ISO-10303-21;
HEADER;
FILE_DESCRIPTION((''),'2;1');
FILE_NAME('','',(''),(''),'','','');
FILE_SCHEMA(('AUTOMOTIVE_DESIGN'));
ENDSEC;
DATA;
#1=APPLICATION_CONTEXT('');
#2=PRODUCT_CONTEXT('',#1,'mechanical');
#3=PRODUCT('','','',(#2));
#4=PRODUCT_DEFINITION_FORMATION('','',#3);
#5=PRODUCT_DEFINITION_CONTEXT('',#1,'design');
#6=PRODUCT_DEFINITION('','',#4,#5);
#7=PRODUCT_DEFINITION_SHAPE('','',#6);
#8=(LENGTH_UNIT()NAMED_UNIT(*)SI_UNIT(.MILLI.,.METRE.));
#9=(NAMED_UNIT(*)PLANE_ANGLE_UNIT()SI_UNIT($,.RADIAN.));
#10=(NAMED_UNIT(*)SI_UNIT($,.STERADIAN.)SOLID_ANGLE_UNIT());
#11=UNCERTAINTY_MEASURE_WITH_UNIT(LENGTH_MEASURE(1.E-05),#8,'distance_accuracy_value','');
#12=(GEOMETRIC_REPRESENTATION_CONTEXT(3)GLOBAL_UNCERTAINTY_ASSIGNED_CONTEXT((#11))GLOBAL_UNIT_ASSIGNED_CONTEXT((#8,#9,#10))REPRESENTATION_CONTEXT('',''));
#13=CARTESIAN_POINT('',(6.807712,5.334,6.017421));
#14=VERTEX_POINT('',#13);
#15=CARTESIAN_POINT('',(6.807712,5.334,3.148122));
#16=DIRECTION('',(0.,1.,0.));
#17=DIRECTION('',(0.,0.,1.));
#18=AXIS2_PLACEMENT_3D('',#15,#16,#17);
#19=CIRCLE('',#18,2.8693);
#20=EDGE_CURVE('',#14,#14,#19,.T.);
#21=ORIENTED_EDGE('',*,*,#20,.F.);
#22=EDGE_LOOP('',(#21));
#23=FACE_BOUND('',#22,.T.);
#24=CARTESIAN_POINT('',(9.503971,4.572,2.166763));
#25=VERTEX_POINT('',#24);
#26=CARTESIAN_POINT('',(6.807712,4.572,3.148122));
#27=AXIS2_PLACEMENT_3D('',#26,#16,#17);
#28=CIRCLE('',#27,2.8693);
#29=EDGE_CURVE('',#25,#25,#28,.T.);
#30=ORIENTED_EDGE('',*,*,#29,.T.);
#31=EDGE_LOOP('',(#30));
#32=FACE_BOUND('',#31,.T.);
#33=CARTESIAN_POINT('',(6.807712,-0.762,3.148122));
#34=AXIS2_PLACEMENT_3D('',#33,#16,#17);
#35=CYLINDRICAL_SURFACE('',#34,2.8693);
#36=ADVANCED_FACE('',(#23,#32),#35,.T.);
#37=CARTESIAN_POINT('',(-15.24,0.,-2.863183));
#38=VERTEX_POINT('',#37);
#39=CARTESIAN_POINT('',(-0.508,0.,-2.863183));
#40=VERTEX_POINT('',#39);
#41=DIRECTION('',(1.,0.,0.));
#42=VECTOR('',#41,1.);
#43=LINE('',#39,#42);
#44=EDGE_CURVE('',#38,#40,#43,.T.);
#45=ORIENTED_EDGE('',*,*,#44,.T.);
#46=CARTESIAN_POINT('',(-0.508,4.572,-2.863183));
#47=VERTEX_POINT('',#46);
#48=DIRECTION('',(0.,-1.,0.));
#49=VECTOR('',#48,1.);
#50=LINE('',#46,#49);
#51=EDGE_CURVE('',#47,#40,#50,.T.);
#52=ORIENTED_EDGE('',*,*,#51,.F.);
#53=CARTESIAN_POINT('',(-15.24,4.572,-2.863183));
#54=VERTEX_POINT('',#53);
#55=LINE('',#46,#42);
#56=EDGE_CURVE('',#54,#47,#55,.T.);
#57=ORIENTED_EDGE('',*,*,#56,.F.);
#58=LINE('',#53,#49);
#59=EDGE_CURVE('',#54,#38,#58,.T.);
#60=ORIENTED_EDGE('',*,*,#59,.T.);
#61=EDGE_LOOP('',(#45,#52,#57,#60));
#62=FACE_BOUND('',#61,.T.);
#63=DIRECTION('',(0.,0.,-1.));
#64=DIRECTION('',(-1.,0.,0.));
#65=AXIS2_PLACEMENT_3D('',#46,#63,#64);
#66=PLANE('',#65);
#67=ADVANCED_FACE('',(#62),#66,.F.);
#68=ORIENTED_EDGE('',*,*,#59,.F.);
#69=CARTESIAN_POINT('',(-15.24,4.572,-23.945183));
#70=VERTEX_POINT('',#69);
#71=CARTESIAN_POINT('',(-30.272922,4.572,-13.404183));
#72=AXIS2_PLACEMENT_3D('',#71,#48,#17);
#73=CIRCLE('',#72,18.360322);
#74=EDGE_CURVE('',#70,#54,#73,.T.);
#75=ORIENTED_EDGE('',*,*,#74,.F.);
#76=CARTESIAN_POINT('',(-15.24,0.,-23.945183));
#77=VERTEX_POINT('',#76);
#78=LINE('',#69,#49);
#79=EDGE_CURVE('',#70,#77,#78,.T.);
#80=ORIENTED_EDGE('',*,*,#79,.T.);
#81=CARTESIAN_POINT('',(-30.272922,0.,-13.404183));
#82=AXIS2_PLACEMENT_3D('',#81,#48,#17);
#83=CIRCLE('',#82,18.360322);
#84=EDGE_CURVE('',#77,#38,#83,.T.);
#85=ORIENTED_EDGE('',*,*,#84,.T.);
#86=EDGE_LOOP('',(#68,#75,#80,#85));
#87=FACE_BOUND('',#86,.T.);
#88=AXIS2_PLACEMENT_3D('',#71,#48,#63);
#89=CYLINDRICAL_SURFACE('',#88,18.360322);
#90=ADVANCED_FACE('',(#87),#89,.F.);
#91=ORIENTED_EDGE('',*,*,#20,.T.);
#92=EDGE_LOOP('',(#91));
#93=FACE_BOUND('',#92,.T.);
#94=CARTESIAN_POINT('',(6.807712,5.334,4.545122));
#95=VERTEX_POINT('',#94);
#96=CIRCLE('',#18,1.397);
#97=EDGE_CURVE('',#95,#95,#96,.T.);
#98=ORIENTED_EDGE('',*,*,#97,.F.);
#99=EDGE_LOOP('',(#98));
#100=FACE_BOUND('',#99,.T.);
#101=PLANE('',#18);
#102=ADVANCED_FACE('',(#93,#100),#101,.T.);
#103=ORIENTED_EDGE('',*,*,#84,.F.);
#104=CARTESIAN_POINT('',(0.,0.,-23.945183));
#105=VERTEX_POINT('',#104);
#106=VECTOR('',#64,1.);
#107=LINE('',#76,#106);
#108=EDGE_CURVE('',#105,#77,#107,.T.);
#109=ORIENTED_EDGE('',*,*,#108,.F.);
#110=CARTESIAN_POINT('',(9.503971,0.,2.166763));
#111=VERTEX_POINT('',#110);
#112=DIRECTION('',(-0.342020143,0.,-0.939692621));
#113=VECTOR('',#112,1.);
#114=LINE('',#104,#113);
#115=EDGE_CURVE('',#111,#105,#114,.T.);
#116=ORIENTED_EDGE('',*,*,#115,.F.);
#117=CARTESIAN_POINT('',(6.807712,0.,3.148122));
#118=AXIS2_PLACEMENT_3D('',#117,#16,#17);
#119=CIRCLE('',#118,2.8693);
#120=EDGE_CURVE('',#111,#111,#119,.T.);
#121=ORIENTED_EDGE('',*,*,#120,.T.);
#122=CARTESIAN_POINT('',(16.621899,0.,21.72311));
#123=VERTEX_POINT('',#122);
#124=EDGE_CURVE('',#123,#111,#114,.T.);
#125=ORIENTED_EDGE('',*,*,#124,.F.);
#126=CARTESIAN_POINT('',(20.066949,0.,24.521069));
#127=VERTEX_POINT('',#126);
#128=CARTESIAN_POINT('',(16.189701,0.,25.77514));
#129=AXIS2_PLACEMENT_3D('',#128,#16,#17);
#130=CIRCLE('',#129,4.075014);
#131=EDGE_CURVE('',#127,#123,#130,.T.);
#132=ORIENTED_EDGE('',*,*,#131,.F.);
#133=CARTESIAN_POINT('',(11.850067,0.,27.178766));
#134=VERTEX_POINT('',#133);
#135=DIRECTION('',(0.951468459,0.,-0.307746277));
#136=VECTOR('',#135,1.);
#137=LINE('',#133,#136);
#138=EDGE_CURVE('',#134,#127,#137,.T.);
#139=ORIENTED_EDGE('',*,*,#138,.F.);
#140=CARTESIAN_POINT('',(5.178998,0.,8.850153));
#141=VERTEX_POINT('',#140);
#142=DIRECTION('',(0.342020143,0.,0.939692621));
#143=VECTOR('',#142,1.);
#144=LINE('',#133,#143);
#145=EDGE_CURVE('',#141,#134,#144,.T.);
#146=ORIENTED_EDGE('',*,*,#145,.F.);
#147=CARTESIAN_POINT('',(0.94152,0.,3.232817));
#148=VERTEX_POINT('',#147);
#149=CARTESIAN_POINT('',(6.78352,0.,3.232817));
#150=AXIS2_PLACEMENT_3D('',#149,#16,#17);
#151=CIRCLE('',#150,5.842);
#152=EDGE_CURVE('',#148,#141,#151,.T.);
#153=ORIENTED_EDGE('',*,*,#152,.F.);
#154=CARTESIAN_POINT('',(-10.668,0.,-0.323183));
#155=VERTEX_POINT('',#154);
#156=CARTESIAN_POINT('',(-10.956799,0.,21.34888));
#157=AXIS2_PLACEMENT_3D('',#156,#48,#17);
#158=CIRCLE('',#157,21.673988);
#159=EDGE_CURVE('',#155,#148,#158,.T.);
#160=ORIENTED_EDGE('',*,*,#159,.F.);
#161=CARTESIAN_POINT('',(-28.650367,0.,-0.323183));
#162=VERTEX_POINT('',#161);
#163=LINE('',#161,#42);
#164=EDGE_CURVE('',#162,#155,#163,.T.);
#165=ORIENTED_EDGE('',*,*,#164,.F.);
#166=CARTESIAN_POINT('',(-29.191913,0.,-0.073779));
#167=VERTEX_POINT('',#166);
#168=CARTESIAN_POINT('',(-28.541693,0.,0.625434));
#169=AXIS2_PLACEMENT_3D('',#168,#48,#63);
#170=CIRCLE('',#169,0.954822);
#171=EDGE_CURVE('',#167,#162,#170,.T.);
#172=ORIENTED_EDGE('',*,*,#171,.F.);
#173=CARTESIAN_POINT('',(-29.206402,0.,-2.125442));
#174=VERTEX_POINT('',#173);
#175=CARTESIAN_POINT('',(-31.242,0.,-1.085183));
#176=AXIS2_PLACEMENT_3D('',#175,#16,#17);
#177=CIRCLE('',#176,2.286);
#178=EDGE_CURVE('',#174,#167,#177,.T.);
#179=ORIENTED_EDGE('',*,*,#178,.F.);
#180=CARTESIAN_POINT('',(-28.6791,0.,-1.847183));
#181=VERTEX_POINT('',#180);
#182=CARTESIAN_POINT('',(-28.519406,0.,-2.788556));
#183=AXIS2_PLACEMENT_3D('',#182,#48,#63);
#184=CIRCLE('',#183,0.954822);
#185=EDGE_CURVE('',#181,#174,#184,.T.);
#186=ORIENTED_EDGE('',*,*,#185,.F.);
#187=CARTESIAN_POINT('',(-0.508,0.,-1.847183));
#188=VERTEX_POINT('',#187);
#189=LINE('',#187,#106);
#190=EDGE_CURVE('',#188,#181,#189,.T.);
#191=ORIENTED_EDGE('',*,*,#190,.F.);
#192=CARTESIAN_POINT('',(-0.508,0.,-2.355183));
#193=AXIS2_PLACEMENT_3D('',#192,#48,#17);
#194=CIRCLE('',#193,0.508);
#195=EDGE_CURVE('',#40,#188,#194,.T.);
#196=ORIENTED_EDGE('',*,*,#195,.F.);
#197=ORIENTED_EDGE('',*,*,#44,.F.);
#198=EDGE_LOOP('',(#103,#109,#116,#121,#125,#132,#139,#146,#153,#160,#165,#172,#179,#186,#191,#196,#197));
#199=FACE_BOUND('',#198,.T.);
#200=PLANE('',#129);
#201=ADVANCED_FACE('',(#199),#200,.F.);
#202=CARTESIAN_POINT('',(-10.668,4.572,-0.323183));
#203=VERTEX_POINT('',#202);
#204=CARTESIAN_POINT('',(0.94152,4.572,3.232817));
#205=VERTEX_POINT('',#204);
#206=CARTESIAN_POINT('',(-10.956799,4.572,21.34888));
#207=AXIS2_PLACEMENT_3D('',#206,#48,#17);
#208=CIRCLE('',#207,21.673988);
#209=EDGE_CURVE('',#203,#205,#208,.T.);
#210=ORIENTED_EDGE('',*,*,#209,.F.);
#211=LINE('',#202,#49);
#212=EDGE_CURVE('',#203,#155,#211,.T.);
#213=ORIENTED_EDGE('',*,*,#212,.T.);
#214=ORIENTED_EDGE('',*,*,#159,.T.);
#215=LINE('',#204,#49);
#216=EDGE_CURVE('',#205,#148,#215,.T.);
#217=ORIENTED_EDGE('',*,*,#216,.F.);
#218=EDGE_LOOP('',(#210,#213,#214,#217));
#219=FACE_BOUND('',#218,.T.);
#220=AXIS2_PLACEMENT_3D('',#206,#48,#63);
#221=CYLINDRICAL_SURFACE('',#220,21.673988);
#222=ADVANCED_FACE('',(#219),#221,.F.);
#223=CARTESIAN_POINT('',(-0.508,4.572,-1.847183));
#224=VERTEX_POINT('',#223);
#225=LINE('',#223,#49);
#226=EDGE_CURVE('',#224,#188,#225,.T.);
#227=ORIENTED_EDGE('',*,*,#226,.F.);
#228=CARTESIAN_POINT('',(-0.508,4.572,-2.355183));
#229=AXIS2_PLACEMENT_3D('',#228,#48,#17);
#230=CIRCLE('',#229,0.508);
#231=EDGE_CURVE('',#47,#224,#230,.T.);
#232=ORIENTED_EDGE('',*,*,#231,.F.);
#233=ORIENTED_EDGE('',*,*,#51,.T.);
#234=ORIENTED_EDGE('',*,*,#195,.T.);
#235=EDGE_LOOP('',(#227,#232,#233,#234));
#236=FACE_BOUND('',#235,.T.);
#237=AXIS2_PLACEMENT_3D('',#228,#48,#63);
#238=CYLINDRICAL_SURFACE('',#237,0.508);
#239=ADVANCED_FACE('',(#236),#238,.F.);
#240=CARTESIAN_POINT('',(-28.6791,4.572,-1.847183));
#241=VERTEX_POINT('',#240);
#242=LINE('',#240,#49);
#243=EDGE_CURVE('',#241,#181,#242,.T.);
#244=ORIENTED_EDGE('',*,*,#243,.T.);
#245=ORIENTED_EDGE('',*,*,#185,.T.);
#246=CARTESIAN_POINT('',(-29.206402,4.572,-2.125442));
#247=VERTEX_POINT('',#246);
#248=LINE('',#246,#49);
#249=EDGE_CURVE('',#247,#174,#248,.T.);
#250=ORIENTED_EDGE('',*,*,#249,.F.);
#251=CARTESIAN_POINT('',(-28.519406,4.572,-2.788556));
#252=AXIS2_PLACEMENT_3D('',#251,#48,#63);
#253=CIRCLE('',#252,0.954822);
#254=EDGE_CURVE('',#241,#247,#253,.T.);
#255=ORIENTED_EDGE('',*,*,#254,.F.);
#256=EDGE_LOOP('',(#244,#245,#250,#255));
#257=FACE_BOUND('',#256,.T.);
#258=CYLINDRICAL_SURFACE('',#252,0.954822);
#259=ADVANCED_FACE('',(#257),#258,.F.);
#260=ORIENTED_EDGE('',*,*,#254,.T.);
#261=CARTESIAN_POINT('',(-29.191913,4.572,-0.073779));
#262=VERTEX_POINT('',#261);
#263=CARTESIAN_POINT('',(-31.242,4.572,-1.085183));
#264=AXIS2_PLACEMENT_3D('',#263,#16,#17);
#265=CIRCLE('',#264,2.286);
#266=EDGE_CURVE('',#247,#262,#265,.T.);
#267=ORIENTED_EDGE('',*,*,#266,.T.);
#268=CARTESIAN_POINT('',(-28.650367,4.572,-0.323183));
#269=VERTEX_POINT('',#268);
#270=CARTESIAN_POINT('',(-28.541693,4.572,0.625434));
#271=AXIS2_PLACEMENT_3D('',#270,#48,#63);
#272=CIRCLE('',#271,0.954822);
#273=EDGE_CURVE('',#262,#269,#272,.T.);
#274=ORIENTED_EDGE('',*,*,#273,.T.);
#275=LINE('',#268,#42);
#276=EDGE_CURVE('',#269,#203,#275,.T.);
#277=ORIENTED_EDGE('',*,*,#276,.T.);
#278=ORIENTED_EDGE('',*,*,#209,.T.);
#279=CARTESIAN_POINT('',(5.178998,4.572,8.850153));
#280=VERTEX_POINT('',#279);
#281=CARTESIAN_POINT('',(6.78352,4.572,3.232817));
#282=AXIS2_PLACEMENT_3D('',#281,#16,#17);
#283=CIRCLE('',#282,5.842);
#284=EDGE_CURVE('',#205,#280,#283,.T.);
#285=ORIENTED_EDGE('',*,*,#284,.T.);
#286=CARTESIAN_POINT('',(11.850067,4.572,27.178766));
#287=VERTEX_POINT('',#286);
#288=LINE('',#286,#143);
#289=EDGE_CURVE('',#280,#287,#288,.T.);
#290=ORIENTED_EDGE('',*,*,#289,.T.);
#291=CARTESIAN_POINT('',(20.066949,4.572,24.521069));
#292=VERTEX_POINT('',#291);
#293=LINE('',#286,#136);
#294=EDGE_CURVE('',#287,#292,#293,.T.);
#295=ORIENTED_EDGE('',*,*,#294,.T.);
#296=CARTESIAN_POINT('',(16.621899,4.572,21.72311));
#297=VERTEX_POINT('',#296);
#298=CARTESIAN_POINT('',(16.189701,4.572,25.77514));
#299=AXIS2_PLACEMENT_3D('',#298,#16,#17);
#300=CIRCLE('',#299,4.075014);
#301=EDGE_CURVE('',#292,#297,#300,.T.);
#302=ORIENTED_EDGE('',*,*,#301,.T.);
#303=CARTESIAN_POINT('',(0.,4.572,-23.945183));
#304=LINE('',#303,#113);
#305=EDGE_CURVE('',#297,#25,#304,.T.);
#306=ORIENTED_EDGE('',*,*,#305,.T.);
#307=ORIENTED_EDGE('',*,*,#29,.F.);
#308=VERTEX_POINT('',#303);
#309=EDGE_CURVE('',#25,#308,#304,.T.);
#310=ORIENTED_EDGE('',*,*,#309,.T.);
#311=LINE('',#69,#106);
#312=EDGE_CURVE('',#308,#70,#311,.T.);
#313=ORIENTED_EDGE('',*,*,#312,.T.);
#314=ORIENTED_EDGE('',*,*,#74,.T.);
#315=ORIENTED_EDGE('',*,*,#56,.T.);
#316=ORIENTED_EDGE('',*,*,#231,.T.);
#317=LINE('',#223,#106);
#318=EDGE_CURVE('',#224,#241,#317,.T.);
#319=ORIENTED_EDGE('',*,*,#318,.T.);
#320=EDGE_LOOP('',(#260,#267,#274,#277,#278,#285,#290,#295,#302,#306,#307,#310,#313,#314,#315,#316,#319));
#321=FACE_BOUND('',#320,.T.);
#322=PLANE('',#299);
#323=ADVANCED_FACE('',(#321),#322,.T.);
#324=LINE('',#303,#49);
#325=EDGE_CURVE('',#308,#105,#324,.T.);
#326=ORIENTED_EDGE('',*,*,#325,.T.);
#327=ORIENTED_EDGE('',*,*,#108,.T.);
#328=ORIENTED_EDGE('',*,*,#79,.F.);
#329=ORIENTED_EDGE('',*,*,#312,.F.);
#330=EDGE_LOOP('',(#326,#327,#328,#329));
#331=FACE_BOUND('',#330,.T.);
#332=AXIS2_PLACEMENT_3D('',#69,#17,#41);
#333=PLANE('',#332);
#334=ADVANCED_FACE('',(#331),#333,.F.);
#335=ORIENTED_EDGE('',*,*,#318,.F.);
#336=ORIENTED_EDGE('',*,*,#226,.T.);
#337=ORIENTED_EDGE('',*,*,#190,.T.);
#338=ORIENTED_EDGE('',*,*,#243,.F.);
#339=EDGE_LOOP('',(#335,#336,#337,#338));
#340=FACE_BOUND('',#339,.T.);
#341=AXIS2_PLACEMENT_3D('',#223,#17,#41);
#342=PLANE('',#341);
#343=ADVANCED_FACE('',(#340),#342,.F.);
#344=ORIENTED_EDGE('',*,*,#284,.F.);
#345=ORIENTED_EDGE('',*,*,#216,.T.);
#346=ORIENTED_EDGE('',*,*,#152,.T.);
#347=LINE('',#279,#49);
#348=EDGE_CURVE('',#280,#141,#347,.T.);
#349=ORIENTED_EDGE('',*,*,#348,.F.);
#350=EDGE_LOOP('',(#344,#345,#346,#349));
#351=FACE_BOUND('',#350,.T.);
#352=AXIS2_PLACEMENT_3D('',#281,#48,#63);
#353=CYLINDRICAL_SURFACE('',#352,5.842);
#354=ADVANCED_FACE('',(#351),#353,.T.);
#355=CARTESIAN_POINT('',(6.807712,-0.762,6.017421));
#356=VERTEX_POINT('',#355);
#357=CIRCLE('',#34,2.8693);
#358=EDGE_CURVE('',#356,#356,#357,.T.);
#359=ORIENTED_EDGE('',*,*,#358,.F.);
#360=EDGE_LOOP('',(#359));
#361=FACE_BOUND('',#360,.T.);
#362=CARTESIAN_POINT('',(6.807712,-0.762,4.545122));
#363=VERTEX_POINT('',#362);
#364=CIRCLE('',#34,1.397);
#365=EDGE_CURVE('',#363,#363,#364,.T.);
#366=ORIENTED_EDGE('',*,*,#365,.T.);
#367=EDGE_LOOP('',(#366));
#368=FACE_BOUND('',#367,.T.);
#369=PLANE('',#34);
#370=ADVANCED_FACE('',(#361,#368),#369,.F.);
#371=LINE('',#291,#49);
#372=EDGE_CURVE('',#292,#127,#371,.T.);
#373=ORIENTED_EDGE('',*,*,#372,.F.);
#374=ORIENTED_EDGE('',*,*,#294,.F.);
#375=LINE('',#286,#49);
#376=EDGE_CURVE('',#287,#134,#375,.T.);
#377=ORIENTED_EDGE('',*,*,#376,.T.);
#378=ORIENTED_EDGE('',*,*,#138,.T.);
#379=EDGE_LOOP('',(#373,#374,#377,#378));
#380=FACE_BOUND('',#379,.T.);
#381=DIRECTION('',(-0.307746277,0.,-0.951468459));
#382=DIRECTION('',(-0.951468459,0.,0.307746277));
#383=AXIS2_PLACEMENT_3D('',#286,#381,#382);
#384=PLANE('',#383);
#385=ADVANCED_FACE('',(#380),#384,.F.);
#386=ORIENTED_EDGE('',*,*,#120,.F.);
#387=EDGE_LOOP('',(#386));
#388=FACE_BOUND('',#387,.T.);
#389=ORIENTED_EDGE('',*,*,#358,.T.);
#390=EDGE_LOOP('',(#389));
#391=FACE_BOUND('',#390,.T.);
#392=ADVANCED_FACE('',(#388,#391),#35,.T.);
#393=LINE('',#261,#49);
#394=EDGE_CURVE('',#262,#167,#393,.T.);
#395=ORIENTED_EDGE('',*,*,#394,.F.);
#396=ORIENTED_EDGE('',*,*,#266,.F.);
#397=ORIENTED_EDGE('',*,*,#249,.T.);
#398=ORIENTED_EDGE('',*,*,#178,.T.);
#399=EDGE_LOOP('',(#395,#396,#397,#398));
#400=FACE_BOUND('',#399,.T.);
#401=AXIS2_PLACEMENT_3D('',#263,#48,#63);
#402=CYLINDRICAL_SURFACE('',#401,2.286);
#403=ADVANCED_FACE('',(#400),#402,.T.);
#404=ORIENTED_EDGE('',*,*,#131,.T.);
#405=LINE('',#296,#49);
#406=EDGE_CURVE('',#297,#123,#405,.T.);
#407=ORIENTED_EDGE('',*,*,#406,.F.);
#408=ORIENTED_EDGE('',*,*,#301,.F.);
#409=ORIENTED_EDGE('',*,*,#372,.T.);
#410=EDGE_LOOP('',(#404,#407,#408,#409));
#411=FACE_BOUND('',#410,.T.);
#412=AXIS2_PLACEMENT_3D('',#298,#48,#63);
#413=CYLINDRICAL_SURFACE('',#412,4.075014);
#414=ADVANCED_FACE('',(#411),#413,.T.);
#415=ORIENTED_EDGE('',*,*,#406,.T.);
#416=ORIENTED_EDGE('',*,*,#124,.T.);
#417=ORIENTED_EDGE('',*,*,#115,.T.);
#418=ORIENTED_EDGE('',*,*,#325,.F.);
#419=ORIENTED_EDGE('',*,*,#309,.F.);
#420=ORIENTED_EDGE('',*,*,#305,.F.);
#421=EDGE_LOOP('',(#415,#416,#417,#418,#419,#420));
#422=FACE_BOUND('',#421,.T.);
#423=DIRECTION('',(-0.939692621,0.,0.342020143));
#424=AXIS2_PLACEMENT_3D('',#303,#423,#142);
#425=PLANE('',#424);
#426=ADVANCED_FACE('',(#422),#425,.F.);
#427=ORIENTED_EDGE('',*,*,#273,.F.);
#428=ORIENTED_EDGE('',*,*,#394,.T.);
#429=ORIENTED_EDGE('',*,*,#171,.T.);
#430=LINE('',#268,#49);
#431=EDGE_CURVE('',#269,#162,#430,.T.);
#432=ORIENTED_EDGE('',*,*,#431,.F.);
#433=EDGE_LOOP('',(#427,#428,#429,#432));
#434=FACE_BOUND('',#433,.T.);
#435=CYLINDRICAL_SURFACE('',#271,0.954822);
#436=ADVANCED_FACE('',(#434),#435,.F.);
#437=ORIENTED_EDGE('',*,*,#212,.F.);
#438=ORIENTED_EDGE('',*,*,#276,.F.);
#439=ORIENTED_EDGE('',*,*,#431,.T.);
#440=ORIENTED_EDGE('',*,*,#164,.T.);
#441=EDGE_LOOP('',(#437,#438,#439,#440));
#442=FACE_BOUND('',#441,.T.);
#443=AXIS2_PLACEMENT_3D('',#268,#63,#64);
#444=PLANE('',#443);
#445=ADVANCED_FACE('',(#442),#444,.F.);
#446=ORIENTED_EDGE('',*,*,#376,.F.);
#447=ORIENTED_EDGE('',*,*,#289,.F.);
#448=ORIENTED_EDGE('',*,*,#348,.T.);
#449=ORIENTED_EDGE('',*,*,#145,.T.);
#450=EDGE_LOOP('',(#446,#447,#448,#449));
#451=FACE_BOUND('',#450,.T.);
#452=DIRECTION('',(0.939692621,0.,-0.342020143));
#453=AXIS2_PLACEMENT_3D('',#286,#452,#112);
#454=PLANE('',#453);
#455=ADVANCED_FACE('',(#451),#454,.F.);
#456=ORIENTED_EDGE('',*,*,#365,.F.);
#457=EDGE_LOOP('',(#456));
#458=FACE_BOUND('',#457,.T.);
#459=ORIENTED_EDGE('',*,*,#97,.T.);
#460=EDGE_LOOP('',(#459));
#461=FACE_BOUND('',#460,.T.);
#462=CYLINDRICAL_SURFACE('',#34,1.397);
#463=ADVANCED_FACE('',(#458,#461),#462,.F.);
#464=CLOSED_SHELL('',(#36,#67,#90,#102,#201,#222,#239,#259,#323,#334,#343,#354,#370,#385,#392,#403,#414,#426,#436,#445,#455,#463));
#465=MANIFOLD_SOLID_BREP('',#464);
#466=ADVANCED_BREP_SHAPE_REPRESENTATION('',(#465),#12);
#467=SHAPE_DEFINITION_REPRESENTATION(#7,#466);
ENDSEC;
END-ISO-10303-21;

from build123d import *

# Parameters (mm, degrees)
BOSS_EXTRUDE1_DEPTH      = 4.572
BOSS_EXTRUDE2_DEPTH      = 0.762
BOSS_EXTRUDE2_DEPTH_BACK = 5.334
SKETCH2_R                = 2.869299529
SKETCH3_R                = 1.397
CUT_EXTRUDE1_DEPTH       = 44.588683524


with BuildPart() as part:
    # Sketch1 → Boss-Extrude1 (new body)
    with BuildSketch(Plane(origin=(0, 0, 0), x_dir=(1, 0, 0), z_dir=(0, 1, 0))):
        with BuildLine():
            Line((0, 23.945183489), (16.621899459, -21.723109944))
            ThreePointArc((16.621899459, -21.723109944), (18.758742816, -22.611950557), (20.0669487, -24.521069341))
            Line((20.0669487, -24.521069341), (11.850067084, -27.178766186))
            Line((11.850067084, -27.178766186), (5.178997556, -8.850153293))
            ThreePointArc((5.178997556, -8.850153293), (2.119691783, -6.751008186), (0.941519753, -3.232816511))
            ThreePointArc((0.941519753, -3.232816511), (-4.609142435, -0.625246171), (-10.668, 0.323183489))
            Line((-10.668, 0.323183489), (-28.650367288, 0.323183489))
            ThreePointArc((-28.650367288, 0.323183489), (-28.941106082, 0.241834206), (-29.19191304, 0.073778793))
            ThreePointArc((-29.19191304, 0.073778793), (-33.527942998, 1.06904003), (-29.206401998, 2.125441522))
            ThreePointArc((-29.206401998, 2.125441522), (-28.965026953, 1.944099747), (-28.679100404, 1.847183489))
            Line((-28.679100404, 1.847183489), (-0.508, 1.847183489))
            ThreePointArc((-0.508, 1.847183489), (0, 2.355183489), (-0.508, 2.863183489))
            Line((-0.508, 2.863183489), (-15.24, 2.863183489))
            ThreePointArc((-15.24, 2.863183489), (-11.9126, 13.404183489), (-15.24, 23.945183489))
            Line((-15.24, 23.945183489), (0, 23.945183489))
        make_face()
    extrude(amount=BOSS_EXTRUDE1_DEPTH)

    # Sketch2 → Boss-Extrude2 (add, two sides: drawn at the far end of the back side and taken through both)
    with BuildSketch(Plane(origin=(0, 4.572, 0), x_dir=(1, 0, 0), z_dir=(0, 1, 0)).offset(-BOSS_EXTRUDE2_DEPTH_BACK)):
        with Locations(Location((6.807711808, -3.148121568, 0), (0, 0, 270))):
            Circle(SKETCH2_R)
    extrude(amount=BOSS_EXTRUDE2_DEPTH + BOSS_EXTRUDE2_DEPTH_BACK)

    # Sketch3 → Cut-Extrude1 (cut, through all)
    with BuildSketch(Plane(origin=(0, 5.334, 0), x_dir=(1, 0, 0), z_dir=(0, 1, 0))):
        with Locations(Location((6.807711808, -3.148121568, 0), (0, 0, 270))):
            Circle(SKETCH3_R)
    extrude(amount=-CUT_EXTRUDE1_DEPTH, mode=Mode.SUBTRACT)


solid = part.part
